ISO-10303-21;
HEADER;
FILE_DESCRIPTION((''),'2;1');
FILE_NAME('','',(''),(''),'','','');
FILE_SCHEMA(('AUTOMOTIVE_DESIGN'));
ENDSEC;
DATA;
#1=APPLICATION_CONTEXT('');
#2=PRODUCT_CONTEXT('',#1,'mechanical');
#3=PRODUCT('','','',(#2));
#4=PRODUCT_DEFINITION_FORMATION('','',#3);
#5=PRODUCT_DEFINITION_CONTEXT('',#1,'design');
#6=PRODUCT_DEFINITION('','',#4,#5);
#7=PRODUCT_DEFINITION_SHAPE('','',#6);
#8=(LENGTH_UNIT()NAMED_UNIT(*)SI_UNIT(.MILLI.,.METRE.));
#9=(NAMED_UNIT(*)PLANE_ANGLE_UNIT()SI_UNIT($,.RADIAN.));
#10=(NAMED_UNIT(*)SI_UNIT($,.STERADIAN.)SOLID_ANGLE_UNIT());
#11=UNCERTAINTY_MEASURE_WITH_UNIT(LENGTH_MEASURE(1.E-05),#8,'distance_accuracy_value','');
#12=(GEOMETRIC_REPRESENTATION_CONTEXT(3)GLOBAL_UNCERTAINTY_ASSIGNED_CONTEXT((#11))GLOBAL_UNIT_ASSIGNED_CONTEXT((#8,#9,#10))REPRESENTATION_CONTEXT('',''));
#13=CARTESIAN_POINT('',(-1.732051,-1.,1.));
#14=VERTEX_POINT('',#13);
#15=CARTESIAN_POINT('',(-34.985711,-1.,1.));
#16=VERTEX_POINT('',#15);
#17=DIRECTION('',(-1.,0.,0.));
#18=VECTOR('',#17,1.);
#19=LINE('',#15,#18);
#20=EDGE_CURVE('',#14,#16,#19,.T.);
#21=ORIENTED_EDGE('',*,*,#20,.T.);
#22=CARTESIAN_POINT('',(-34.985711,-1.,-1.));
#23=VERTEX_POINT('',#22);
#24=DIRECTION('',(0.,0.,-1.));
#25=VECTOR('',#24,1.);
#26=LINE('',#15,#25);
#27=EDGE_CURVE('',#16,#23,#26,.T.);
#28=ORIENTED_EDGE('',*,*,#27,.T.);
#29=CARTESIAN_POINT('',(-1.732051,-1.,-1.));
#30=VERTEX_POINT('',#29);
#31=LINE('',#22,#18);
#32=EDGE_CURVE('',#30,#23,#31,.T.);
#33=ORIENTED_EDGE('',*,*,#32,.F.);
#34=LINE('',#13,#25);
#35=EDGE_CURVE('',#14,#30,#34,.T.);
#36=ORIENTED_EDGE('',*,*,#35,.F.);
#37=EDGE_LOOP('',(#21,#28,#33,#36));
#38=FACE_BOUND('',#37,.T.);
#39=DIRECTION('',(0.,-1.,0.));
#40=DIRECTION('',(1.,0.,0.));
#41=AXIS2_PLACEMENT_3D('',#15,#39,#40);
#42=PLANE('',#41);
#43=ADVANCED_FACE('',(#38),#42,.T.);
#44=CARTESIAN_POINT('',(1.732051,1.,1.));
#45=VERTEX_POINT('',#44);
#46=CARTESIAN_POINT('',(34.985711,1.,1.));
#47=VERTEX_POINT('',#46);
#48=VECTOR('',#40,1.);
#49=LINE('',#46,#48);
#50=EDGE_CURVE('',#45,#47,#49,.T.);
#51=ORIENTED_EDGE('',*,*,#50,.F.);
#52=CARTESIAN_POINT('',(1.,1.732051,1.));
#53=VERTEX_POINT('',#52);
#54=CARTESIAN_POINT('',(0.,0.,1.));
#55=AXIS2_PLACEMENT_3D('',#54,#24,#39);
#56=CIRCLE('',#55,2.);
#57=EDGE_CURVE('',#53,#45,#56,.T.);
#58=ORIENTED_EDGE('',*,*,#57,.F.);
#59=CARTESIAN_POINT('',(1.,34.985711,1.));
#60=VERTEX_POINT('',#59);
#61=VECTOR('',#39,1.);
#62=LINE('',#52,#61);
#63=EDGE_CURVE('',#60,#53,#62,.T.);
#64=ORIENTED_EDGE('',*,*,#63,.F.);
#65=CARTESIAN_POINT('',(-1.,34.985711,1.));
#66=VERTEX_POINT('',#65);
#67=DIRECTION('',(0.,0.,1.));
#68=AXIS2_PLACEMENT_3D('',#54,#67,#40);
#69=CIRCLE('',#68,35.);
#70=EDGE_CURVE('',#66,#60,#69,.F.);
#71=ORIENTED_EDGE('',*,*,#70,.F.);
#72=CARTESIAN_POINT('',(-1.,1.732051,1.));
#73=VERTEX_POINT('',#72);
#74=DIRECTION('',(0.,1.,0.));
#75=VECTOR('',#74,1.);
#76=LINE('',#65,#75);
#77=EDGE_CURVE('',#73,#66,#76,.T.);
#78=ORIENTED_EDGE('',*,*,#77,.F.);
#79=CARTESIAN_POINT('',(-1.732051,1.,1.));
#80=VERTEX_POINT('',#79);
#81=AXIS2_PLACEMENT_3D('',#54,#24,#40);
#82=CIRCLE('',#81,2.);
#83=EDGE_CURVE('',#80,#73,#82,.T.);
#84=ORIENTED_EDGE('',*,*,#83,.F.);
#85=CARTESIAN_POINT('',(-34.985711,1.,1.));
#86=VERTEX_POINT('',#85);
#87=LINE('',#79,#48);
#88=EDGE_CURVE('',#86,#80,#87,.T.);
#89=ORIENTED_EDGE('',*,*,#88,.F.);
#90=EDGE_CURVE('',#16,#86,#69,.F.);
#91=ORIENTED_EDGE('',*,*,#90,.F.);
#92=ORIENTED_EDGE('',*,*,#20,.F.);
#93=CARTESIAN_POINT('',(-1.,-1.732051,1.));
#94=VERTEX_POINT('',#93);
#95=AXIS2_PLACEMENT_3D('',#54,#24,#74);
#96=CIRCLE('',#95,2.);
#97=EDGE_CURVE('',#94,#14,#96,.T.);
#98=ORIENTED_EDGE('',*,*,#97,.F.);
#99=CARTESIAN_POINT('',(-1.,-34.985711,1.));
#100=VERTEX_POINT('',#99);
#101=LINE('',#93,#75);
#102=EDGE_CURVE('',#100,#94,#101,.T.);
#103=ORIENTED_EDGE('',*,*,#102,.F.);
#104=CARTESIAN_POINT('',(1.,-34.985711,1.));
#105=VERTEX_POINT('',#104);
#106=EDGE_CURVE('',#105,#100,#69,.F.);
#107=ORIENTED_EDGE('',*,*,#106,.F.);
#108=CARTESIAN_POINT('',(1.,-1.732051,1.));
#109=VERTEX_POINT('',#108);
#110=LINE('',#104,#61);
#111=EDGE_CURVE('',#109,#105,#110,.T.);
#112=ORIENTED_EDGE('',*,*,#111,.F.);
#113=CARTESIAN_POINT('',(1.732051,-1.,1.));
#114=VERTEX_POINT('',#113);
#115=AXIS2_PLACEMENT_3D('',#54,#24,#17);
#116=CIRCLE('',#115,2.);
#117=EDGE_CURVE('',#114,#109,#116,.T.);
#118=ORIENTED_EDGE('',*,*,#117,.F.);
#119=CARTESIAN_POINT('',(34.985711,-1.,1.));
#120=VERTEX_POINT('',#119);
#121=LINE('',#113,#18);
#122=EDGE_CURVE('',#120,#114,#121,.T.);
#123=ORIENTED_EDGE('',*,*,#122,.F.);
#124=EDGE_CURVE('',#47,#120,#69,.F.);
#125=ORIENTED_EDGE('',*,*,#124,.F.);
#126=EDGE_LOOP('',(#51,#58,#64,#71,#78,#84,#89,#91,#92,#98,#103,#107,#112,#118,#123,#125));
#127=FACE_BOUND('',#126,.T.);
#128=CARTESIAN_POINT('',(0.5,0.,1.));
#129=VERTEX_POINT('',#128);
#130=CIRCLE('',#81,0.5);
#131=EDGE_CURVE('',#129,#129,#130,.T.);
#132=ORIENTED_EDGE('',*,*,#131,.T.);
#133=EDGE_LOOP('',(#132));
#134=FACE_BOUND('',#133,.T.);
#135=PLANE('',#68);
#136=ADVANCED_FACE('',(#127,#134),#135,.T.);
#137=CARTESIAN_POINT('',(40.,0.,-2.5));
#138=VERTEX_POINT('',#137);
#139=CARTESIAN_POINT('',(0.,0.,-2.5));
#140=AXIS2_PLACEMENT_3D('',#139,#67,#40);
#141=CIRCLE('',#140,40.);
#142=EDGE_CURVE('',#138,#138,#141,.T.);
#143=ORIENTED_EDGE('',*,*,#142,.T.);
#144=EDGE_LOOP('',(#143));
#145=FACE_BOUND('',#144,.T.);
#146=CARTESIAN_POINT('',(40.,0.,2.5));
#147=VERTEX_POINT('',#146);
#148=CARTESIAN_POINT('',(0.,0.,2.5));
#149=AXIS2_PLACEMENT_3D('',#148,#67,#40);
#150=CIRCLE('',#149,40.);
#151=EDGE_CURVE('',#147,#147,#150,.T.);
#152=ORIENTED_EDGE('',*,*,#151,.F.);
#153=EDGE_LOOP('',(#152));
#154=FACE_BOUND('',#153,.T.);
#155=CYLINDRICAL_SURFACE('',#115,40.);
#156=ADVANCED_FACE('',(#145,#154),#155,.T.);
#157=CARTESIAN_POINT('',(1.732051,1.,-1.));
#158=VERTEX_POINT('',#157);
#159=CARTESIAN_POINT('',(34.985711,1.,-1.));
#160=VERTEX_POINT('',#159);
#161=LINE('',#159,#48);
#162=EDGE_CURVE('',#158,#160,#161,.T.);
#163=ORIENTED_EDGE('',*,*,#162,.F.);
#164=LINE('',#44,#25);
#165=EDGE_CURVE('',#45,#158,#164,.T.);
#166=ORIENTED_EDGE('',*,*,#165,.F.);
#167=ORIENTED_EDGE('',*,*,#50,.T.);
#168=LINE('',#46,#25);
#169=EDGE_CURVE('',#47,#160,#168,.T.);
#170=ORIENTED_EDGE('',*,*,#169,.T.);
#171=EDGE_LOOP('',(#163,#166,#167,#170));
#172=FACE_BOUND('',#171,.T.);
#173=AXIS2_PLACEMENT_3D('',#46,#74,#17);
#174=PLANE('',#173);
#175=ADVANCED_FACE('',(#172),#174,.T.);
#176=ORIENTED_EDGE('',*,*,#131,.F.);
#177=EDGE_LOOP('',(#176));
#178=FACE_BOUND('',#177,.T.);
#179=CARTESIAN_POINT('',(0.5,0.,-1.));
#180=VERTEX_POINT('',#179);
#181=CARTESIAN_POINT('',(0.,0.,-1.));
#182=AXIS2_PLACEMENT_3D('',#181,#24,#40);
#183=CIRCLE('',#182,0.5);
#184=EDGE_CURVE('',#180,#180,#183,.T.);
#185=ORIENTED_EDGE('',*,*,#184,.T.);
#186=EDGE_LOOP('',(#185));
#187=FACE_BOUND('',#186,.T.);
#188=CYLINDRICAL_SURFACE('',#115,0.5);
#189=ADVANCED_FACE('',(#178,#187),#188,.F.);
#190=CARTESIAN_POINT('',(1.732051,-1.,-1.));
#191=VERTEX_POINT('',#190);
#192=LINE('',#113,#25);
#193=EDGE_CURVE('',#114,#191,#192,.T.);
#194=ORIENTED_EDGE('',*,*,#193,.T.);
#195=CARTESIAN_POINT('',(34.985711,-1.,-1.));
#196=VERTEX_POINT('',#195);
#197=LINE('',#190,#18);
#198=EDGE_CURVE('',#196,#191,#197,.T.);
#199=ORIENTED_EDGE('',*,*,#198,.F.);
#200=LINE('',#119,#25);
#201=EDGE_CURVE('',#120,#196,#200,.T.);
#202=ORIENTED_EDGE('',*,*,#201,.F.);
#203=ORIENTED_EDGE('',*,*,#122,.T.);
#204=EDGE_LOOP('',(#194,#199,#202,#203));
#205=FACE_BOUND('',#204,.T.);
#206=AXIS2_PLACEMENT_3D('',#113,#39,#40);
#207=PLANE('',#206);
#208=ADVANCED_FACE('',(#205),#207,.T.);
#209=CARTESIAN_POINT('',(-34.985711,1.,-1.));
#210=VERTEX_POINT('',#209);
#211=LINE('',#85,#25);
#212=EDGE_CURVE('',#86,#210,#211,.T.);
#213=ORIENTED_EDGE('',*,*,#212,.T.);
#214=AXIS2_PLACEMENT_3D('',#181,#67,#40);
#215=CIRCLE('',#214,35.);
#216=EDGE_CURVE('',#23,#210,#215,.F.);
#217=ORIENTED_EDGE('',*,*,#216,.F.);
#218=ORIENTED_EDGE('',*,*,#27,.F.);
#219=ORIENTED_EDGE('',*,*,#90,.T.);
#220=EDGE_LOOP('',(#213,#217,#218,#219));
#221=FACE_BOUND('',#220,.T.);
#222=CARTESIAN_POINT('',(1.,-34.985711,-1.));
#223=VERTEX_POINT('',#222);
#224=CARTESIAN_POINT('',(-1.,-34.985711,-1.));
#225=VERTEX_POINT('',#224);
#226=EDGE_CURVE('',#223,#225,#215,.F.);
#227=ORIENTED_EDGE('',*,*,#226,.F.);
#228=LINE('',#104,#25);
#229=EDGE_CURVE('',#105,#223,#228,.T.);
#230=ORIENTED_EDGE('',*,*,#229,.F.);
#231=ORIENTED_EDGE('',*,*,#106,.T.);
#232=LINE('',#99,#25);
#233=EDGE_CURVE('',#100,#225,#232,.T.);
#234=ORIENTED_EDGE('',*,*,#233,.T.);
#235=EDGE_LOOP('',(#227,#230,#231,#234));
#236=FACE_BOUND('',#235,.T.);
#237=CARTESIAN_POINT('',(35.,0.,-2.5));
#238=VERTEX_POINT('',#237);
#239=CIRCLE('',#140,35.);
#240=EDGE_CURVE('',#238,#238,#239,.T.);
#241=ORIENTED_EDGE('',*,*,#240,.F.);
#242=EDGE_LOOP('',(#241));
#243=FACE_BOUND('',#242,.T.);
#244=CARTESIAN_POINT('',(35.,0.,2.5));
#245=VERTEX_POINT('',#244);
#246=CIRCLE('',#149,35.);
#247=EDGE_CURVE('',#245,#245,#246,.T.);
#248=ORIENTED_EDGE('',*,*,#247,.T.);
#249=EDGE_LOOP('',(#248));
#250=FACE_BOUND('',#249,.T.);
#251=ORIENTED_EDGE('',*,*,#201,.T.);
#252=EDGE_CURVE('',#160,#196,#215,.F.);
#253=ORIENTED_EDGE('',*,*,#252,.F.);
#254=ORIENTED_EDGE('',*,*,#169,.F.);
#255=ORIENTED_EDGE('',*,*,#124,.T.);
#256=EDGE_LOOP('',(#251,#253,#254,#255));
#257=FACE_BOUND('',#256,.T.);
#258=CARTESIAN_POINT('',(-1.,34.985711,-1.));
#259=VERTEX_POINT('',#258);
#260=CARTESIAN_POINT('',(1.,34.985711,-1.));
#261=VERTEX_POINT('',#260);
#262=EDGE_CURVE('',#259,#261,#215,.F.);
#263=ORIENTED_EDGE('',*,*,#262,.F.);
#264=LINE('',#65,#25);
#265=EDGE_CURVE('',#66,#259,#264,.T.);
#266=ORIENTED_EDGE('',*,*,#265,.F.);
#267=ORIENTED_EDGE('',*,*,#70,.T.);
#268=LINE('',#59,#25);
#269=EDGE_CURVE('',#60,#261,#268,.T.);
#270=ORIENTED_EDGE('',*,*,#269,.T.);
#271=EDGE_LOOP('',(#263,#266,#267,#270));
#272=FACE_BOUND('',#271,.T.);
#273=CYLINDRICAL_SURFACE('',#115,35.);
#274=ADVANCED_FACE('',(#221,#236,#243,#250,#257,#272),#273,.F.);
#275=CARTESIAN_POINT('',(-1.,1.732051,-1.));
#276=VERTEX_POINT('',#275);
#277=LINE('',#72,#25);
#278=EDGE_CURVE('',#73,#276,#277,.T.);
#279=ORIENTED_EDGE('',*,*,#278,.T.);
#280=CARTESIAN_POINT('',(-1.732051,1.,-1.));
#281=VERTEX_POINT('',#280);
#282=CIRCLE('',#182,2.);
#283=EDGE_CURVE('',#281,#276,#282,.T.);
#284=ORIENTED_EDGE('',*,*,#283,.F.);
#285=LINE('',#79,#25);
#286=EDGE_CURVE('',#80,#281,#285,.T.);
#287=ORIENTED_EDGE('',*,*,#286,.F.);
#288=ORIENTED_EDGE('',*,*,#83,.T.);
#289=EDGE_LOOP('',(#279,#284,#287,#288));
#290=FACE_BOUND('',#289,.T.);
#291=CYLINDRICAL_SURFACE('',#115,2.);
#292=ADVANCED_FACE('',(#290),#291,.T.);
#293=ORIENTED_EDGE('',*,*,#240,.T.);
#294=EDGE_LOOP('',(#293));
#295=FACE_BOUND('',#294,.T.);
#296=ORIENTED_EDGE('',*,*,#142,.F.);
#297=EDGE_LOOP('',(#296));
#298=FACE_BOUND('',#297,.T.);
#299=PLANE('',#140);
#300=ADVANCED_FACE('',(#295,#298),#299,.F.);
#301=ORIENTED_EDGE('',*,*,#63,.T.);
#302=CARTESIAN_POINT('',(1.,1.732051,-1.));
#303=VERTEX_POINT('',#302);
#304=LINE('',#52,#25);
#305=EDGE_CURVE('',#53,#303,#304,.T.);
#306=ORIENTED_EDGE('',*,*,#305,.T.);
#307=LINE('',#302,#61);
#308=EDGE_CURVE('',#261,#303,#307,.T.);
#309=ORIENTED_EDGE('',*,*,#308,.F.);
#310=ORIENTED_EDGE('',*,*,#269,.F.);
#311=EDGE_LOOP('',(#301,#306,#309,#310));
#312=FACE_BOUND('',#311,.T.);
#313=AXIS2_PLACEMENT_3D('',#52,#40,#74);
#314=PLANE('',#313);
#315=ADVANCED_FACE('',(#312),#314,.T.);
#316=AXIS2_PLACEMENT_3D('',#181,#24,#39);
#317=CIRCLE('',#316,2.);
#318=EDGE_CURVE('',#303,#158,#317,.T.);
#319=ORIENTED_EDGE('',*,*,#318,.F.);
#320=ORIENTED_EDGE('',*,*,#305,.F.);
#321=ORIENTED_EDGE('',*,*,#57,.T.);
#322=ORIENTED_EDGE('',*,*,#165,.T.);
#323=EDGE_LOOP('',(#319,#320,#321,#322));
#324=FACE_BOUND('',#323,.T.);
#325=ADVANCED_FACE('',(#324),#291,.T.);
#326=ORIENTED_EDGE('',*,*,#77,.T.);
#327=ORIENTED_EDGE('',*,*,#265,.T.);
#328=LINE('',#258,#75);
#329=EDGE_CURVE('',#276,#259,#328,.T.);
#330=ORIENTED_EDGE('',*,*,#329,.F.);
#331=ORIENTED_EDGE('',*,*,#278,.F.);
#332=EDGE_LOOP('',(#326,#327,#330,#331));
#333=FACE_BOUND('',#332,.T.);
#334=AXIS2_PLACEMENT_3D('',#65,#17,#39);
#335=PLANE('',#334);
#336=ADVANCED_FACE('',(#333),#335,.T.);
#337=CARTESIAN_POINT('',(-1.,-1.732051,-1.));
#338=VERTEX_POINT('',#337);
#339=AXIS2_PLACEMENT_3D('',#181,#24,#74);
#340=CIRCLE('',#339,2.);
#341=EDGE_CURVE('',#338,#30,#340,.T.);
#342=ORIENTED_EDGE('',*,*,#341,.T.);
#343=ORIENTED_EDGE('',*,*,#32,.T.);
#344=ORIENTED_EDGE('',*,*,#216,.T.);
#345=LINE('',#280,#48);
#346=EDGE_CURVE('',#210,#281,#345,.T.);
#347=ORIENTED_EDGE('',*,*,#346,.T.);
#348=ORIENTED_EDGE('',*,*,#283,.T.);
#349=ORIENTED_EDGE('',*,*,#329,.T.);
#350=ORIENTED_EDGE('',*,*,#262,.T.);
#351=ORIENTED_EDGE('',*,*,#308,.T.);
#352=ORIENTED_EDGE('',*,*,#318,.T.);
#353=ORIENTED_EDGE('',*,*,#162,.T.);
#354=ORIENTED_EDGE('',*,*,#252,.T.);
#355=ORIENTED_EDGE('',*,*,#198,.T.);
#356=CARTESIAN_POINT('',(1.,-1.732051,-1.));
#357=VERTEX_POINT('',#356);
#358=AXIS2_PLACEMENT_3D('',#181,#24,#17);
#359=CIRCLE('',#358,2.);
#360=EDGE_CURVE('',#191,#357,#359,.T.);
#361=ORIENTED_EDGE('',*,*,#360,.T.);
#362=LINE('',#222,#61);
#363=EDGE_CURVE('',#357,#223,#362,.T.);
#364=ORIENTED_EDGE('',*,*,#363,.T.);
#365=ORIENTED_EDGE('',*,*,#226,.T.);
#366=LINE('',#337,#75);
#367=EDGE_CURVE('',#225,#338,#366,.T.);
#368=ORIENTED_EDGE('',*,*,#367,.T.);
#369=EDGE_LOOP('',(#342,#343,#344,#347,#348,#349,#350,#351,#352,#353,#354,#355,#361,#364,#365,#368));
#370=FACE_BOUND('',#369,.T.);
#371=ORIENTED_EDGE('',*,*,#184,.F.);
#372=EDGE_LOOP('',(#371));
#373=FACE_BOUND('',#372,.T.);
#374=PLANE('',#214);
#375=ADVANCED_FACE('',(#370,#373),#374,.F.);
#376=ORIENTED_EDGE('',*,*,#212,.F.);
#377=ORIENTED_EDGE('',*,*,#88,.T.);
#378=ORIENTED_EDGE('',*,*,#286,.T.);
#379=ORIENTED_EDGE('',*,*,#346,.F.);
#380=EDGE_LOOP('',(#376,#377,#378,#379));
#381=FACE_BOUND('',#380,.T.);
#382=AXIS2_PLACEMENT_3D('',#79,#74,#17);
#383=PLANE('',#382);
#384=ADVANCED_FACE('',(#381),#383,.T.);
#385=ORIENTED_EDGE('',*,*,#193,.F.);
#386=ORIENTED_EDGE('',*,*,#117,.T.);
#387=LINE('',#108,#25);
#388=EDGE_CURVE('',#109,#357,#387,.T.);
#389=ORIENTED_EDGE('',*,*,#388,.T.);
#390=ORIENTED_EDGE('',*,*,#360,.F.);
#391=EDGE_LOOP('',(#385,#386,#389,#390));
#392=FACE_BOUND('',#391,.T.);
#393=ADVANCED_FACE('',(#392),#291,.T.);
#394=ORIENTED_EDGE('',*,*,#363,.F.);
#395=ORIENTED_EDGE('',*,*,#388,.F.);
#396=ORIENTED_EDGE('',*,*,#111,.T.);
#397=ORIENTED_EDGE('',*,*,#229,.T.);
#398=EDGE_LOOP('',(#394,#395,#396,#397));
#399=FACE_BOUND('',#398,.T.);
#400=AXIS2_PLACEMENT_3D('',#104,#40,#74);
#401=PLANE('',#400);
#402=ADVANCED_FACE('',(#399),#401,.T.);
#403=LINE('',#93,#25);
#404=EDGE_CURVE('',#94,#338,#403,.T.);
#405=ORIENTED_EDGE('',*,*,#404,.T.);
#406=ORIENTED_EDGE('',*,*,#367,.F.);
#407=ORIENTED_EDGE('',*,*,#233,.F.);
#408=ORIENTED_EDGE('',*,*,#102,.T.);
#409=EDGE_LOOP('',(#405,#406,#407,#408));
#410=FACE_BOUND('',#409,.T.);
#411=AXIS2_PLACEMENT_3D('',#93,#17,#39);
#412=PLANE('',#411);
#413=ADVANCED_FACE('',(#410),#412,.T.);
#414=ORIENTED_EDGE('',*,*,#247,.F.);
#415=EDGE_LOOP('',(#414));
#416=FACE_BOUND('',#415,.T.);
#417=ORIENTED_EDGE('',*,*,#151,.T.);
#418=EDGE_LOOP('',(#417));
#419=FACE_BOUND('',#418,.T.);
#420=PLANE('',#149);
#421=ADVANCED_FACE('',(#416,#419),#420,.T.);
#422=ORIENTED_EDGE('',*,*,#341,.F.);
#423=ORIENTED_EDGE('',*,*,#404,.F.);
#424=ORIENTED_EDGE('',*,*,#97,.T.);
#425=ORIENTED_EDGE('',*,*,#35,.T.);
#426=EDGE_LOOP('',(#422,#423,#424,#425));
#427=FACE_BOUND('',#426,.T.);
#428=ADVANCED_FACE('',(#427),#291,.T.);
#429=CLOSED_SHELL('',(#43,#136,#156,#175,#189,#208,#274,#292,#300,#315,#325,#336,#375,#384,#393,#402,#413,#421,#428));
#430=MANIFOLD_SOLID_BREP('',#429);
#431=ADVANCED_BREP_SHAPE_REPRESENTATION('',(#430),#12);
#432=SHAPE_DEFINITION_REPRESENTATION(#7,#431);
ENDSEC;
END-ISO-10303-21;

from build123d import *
from build123d.topology import SkipClean

# Parameters (mm, degrees)
BOSS_EXTRUDE1_DEPTH = 1
CIRPATTERN1_COUNT   = 4
SKETCH3_R           = 40
SKETCH3_R_2         = 35
BOSS_EXTRUDE2_DEPTH = 2.5


with BuildPart() as part:
    # Sketch1 → Boss-Extrude1 (new, symmetric)
    with BuildSketch(Plane.XY):
        with BuildLine():
            Line((0, 40), (0, 0.5))
            ThreePointArc((0, 0.5), (-0.353553391, 0.353553391), (-0.5, 0))
            Line((-0.5, 0), (-40, 0))
            ThreePointArc((-40, 0), (-28.284271247, 28.284271247), (0, 40))
        make_face()
        with BuildLine():
            Line((-1, 34.985711369), (-1, 1.732050808))
            ThreePointArc((-1, 1.732050808), (-1.414213562, 1.414213562), (-1.732050808, 1))
            Line((-1.732050808, 1), (-34.985711369, 1))
            ThreePointArc((-34.985711369, 1), (-24.748737342, 24.748737342), (-1, 34.985711369))
        make_face(mode=Mode.SUBTRACT)
    boss_extrude1 = extrude(amount=BOSS_EXTRUDE1_DEPTH, both=True)

    # CirPattern1: Boss-Extrude1 ×4 about axis
    cirpattern1_axis = Axis((0, 0, 0), (0, 0, 1))
    for i in range(1, CIRPATTERN1_COUNT):
        add(boss_extrude1.rotate(cirpattern1_axis, i * 360 / CIRPATTERN1_COUNT))

    # Sketch3 → Boss-Extrude2 (add, symmetric)
    with SkipClean():  # the faces are left unmerged after this step: merging them gives an invalid solid
        with BuildSketch(Plane.XY):
            Circle(SKETCH3_R)
            Circle(SKETCH3_R_2, mode=Mode.SUBTRACT)
        extrude(amount=BOSS_EXTRUDE2_DEPTH, both=True)


solid = part.part
